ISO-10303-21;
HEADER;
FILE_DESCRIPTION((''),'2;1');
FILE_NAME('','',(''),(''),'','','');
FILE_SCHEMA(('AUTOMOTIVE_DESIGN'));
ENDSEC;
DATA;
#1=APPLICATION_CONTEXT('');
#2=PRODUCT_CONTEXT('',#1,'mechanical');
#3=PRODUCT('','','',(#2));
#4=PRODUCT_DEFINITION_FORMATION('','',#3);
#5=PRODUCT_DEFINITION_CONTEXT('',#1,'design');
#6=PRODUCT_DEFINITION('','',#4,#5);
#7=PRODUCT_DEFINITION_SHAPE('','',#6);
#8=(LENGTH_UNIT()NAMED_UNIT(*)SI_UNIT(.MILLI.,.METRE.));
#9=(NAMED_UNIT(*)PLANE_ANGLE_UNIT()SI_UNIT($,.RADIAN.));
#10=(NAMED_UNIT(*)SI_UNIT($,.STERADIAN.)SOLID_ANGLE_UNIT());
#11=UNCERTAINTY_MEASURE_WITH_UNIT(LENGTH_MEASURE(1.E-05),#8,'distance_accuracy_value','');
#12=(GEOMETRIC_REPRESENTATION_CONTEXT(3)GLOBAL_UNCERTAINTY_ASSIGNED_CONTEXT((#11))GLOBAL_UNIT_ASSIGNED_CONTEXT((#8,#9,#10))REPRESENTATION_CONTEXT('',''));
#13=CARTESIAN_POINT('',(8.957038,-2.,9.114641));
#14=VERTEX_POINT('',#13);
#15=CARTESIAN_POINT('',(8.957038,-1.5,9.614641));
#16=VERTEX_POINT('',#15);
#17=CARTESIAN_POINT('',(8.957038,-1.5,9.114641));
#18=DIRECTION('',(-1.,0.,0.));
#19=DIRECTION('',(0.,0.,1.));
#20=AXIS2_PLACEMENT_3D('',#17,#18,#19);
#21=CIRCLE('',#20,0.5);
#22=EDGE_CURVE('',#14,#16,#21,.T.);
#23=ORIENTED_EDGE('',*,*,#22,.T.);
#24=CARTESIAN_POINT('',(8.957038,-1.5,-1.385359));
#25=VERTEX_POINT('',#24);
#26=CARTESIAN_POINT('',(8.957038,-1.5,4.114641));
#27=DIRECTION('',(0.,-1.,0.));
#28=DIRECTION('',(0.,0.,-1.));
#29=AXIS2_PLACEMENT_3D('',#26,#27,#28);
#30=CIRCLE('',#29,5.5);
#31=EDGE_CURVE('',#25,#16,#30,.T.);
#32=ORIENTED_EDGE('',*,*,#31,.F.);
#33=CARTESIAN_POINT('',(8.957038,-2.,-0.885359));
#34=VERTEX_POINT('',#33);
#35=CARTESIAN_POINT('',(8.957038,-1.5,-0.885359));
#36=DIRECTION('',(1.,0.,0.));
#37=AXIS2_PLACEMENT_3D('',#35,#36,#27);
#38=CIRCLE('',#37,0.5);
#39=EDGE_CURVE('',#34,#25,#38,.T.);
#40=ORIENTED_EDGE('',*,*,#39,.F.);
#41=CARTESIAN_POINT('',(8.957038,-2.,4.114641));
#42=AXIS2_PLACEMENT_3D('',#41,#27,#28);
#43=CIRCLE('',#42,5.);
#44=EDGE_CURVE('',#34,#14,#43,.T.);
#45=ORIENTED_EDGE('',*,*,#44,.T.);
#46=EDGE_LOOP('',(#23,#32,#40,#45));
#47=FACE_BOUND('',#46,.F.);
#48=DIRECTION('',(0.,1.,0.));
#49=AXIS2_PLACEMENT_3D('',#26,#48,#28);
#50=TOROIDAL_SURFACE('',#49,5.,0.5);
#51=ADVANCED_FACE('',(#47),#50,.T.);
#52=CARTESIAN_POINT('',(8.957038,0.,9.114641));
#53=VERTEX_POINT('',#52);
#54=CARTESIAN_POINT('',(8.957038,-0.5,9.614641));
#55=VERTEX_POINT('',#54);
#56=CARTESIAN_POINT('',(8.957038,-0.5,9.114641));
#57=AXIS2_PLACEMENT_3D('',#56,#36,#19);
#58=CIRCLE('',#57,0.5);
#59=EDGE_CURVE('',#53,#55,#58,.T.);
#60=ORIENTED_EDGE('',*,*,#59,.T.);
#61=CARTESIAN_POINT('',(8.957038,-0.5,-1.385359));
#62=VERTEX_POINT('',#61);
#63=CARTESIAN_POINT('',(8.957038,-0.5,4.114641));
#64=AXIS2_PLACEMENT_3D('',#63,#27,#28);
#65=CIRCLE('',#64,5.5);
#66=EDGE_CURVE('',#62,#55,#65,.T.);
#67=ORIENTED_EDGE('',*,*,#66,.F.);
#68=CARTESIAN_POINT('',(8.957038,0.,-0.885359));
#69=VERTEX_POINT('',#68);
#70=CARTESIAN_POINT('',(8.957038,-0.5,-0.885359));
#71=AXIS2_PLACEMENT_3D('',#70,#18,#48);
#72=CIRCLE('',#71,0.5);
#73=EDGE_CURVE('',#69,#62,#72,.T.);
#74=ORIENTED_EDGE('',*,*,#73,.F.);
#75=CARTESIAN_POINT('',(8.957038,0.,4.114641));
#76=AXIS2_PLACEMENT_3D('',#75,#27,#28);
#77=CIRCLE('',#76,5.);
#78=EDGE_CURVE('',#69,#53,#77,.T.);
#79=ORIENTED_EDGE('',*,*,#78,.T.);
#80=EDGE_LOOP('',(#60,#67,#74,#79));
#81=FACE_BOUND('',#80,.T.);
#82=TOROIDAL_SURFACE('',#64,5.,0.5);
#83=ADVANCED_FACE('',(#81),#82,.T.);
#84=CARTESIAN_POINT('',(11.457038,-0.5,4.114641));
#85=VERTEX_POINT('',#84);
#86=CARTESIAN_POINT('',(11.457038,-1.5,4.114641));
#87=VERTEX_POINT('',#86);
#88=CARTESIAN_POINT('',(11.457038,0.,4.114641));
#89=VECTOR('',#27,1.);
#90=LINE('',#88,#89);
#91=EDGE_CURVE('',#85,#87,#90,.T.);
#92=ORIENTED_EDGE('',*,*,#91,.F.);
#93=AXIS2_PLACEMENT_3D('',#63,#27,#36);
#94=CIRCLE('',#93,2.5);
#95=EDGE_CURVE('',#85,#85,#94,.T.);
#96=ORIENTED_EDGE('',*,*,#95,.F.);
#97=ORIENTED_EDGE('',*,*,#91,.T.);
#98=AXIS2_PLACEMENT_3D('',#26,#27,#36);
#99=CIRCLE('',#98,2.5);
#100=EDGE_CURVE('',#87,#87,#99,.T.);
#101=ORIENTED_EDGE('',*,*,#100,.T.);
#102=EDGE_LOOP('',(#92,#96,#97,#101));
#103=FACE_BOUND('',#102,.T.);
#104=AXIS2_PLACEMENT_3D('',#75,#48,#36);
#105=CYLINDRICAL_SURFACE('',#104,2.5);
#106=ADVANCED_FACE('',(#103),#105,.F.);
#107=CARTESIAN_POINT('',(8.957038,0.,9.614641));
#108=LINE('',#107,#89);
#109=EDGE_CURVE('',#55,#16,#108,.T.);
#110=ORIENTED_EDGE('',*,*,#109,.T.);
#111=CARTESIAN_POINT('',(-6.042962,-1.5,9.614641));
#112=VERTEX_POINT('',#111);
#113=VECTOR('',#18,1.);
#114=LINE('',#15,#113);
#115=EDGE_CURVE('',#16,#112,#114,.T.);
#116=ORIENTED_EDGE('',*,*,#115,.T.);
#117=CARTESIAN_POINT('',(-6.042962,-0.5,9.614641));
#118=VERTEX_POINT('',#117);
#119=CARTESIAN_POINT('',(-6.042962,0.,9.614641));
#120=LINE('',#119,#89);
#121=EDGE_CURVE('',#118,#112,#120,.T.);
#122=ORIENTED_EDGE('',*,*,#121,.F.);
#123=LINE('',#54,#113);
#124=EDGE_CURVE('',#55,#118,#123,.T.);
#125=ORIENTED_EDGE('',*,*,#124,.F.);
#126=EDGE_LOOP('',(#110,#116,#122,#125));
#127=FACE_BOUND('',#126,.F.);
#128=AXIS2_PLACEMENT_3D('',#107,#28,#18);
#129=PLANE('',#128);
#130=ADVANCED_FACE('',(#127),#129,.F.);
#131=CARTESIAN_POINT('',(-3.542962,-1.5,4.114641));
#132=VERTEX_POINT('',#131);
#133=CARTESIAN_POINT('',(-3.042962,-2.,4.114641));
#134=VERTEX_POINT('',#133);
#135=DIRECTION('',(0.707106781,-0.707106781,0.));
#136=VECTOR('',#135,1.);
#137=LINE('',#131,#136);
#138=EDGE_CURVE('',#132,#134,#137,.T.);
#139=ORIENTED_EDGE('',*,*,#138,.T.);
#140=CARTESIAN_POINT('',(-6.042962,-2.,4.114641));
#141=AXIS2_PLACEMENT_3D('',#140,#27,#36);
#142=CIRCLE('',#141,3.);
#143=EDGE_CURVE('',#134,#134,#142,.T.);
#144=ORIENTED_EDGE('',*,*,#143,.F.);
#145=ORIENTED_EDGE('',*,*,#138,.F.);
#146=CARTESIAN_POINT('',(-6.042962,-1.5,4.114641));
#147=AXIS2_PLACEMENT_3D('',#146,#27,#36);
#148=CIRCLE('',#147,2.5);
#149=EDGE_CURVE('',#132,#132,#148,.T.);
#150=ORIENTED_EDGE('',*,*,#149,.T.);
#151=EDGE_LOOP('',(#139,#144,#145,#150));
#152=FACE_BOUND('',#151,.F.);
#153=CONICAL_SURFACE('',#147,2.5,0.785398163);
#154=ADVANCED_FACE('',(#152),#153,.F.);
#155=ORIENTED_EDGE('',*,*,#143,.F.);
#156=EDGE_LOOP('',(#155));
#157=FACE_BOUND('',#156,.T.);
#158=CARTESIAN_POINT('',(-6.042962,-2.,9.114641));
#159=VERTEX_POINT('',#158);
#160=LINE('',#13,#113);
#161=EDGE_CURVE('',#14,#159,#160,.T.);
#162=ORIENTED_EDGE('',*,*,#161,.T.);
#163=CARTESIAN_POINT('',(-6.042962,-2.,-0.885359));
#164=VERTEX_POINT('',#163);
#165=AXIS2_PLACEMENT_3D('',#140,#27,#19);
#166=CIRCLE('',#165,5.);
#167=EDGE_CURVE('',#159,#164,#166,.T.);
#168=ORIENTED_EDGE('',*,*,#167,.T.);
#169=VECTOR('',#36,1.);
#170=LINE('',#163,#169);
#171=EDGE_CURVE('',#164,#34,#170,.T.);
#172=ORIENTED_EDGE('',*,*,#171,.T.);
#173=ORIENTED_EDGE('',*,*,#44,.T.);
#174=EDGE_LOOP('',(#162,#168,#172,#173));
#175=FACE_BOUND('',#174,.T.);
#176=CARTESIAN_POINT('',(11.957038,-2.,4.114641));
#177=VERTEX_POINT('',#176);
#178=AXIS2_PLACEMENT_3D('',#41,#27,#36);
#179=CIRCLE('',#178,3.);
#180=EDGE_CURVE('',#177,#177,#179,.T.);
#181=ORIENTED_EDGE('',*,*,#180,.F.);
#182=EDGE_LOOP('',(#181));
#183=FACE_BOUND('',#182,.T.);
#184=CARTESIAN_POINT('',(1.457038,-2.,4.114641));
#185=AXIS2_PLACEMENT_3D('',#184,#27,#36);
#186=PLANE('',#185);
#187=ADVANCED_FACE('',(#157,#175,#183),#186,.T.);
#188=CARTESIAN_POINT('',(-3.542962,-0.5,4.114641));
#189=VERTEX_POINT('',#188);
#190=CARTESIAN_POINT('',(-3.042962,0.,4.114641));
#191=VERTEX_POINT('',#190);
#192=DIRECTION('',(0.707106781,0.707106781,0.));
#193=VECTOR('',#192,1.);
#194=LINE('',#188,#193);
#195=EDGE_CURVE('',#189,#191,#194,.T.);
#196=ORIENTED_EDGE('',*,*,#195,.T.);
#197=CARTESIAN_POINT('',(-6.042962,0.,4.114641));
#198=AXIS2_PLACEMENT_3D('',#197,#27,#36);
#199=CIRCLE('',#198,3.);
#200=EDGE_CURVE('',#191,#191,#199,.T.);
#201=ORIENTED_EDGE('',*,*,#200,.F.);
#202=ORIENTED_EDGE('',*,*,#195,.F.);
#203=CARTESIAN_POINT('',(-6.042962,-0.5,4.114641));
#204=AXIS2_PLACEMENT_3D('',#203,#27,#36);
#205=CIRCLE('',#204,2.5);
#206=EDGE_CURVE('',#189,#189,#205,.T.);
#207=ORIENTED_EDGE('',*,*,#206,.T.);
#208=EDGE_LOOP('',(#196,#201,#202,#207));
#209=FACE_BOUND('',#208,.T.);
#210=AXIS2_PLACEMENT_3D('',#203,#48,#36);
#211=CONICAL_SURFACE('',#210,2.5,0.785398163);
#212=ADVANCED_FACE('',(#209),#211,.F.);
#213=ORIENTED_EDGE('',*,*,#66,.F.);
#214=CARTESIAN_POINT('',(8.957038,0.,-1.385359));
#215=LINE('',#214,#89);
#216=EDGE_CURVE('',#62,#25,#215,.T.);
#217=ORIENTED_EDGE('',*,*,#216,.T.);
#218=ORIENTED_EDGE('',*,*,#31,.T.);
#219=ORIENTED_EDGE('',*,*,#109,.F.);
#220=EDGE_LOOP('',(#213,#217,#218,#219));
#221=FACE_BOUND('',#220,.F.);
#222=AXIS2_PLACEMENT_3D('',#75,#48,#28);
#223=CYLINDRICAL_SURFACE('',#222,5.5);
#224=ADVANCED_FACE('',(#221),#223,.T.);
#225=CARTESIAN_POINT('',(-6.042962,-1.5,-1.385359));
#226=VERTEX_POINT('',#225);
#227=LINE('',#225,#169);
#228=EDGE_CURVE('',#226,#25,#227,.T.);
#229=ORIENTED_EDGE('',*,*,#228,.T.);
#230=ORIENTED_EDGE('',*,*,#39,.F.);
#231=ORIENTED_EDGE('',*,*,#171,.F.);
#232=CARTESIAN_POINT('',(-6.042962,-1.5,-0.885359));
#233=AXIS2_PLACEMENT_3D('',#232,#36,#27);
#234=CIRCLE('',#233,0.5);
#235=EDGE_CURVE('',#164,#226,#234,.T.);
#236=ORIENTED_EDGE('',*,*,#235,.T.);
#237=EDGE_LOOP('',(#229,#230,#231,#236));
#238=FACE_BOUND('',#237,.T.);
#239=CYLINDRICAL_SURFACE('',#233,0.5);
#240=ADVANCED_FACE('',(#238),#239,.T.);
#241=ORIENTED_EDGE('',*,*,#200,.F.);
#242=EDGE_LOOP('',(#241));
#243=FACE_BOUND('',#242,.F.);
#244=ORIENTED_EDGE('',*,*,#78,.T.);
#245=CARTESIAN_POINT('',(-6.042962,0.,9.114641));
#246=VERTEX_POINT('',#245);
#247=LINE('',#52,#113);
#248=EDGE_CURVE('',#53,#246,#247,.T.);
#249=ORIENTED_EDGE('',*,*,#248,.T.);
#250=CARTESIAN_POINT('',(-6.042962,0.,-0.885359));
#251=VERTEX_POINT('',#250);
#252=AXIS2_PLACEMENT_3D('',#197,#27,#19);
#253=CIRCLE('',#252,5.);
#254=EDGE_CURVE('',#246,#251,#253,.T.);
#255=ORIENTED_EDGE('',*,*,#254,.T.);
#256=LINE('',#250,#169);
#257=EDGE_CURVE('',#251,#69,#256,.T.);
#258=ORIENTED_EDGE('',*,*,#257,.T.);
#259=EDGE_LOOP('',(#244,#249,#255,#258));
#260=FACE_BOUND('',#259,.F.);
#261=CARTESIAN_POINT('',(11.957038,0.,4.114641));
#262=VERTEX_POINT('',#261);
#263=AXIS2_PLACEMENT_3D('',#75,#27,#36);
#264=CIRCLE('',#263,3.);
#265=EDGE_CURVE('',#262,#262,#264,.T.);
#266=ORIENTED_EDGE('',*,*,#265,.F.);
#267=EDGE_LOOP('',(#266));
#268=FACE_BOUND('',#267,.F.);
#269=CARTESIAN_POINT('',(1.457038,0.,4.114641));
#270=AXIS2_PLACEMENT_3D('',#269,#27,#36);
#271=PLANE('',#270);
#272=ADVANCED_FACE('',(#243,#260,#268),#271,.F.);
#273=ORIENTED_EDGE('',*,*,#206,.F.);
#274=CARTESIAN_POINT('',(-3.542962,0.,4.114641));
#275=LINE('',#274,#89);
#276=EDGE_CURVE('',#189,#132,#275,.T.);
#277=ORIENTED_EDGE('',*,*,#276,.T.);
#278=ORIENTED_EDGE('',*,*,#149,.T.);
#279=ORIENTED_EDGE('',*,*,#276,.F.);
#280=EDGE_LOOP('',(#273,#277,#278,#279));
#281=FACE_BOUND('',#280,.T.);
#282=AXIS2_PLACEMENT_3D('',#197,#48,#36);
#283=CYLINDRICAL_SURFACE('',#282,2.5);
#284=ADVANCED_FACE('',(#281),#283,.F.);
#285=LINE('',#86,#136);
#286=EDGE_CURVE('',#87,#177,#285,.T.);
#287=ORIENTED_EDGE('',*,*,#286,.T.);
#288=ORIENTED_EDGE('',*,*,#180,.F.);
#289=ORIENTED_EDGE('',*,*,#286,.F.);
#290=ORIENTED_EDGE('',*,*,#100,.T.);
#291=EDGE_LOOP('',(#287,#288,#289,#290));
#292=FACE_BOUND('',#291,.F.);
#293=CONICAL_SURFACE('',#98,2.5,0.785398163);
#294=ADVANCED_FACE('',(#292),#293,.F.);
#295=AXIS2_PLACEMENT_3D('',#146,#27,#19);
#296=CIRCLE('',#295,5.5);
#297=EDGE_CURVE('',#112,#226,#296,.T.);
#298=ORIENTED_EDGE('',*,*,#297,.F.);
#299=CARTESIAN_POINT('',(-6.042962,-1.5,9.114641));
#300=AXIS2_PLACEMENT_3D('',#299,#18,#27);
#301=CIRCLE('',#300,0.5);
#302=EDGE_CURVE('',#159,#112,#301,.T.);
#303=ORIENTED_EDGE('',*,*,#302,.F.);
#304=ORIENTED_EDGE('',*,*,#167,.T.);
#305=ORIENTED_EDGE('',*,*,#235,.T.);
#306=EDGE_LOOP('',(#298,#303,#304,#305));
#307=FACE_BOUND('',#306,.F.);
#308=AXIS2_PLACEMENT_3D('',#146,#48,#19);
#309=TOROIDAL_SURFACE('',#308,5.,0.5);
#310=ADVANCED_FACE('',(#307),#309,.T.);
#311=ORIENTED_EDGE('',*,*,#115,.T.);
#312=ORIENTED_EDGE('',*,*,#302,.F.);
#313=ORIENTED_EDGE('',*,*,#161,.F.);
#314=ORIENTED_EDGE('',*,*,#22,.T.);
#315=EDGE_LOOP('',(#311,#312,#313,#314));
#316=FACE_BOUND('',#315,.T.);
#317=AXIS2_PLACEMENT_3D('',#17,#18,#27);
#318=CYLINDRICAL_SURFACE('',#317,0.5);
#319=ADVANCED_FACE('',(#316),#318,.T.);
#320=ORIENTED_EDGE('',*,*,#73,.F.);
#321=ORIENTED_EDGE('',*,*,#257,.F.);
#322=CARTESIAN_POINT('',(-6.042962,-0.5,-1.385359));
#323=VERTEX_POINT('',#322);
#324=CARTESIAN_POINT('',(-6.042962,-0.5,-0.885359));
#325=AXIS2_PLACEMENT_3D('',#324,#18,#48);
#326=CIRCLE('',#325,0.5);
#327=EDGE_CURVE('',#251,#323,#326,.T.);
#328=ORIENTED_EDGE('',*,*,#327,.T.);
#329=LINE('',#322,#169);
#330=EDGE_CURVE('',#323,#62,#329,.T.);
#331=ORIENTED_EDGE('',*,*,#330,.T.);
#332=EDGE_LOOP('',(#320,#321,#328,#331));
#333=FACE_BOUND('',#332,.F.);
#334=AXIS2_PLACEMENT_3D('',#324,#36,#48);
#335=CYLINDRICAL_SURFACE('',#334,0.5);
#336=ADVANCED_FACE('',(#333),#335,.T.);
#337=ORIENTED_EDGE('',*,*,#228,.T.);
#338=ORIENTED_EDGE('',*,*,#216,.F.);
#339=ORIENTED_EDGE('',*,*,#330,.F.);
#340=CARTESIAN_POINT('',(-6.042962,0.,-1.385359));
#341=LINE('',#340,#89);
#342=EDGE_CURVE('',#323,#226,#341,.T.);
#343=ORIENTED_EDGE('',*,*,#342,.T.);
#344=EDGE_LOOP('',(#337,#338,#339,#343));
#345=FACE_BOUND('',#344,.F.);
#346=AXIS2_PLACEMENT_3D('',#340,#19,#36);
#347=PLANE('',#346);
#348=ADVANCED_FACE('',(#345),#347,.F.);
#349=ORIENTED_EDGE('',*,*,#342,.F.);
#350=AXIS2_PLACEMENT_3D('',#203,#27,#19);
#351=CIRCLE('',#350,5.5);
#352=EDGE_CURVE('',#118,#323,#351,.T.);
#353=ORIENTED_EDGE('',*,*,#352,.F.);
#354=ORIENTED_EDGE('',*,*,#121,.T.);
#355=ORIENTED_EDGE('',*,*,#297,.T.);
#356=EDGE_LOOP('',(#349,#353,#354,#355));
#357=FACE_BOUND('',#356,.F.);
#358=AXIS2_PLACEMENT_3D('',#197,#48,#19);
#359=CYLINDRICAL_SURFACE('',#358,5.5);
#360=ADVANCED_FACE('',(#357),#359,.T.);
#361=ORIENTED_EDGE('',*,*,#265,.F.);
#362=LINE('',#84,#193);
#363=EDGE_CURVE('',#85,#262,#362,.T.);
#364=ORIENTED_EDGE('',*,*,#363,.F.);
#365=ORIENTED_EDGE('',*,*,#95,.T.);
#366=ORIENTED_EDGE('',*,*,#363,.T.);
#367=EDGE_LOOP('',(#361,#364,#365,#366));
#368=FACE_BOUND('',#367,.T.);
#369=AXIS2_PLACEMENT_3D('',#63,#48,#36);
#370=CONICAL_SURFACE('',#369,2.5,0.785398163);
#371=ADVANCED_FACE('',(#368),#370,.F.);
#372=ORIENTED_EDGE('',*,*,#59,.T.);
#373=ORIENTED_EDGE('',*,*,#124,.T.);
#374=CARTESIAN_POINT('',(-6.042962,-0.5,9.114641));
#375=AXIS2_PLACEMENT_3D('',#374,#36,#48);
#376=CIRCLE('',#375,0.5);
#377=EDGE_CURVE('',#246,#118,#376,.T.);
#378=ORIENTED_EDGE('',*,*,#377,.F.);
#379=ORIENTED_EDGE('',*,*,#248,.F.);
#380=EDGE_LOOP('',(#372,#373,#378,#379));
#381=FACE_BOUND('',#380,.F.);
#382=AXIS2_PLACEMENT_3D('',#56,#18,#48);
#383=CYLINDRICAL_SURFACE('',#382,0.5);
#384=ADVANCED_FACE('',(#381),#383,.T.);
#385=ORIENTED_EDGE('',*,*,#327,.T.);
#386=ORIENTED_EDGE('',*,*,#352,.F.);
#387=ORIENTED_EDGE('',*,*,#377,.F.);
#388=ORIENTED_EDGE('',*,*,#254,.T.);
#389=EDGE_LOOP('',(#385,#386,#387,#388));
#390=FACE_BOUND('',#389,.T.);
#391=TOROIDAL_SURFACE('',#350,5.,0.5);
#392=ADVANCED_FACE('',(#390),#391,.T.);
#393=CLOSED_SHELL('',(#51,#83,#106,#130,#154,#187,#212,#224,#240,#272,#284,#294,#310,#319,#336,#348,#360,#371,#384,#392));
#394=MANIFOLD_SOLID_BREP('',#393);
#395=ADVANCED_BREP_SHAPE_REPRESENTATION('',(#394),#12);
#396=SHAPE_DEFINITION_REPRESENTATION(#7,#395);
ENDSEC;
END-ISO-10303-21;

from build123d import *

# Parameters (mm, degrees)
F0_R     = 2.5
F1_DEPTH = 2
F2_SIZE  = 0.5
F3_R     = 0.5


with BuildPart() as f1:
    # F0 (on Front) → F1 (new body)
    with BuildSketch(Plane.XZ):
        with BuildLine():
            Line((8.957038, 9.614641), (-6.042962, 9.614641))
            ThreePointArc((-6.042962, 9.614641), (-11.542962, 4.114641), (-6.042962, -1.385359))
            Line((-6.042962, -1.385359), (8.957038, -1.385359))
            ThreePointArc((8.957038, -1.385359), (14.457038, 4.114641), (8.957038, 9.614641))
        make_face()
        with Locations((-6.042962, 4.114641)):
            Circle(F0_R, mode=Mode.SUBTRACT)
        with Locations((8.957038, 4.114641)):
            Circle(F0_R, mode=Mode.SUBTRACT)
    extrude(amount=F1_DEPTH)

    # F2
    f2_edges = [f1.edges().sort_by_distance(p)[0] for p in [
        (-8.542962, -2, 4.114641),
        (6.457038, -2, 4.114641),
        (-8.542962, 0, 4.114641),
        (6.457038, 0, 4.114641),
    ]]
    chamfer(f2_edges, length=F2_SIZE)

    # F3
    f3_edges = [f1.edges().sort_by_distance(p)[0] for p in [
        (1.457038, -2, -1.385359),
        (1.457038, 0, -1.385359),
    ]]
    fillet(f3_edges, radius=F3_R)


solid = f1.part
